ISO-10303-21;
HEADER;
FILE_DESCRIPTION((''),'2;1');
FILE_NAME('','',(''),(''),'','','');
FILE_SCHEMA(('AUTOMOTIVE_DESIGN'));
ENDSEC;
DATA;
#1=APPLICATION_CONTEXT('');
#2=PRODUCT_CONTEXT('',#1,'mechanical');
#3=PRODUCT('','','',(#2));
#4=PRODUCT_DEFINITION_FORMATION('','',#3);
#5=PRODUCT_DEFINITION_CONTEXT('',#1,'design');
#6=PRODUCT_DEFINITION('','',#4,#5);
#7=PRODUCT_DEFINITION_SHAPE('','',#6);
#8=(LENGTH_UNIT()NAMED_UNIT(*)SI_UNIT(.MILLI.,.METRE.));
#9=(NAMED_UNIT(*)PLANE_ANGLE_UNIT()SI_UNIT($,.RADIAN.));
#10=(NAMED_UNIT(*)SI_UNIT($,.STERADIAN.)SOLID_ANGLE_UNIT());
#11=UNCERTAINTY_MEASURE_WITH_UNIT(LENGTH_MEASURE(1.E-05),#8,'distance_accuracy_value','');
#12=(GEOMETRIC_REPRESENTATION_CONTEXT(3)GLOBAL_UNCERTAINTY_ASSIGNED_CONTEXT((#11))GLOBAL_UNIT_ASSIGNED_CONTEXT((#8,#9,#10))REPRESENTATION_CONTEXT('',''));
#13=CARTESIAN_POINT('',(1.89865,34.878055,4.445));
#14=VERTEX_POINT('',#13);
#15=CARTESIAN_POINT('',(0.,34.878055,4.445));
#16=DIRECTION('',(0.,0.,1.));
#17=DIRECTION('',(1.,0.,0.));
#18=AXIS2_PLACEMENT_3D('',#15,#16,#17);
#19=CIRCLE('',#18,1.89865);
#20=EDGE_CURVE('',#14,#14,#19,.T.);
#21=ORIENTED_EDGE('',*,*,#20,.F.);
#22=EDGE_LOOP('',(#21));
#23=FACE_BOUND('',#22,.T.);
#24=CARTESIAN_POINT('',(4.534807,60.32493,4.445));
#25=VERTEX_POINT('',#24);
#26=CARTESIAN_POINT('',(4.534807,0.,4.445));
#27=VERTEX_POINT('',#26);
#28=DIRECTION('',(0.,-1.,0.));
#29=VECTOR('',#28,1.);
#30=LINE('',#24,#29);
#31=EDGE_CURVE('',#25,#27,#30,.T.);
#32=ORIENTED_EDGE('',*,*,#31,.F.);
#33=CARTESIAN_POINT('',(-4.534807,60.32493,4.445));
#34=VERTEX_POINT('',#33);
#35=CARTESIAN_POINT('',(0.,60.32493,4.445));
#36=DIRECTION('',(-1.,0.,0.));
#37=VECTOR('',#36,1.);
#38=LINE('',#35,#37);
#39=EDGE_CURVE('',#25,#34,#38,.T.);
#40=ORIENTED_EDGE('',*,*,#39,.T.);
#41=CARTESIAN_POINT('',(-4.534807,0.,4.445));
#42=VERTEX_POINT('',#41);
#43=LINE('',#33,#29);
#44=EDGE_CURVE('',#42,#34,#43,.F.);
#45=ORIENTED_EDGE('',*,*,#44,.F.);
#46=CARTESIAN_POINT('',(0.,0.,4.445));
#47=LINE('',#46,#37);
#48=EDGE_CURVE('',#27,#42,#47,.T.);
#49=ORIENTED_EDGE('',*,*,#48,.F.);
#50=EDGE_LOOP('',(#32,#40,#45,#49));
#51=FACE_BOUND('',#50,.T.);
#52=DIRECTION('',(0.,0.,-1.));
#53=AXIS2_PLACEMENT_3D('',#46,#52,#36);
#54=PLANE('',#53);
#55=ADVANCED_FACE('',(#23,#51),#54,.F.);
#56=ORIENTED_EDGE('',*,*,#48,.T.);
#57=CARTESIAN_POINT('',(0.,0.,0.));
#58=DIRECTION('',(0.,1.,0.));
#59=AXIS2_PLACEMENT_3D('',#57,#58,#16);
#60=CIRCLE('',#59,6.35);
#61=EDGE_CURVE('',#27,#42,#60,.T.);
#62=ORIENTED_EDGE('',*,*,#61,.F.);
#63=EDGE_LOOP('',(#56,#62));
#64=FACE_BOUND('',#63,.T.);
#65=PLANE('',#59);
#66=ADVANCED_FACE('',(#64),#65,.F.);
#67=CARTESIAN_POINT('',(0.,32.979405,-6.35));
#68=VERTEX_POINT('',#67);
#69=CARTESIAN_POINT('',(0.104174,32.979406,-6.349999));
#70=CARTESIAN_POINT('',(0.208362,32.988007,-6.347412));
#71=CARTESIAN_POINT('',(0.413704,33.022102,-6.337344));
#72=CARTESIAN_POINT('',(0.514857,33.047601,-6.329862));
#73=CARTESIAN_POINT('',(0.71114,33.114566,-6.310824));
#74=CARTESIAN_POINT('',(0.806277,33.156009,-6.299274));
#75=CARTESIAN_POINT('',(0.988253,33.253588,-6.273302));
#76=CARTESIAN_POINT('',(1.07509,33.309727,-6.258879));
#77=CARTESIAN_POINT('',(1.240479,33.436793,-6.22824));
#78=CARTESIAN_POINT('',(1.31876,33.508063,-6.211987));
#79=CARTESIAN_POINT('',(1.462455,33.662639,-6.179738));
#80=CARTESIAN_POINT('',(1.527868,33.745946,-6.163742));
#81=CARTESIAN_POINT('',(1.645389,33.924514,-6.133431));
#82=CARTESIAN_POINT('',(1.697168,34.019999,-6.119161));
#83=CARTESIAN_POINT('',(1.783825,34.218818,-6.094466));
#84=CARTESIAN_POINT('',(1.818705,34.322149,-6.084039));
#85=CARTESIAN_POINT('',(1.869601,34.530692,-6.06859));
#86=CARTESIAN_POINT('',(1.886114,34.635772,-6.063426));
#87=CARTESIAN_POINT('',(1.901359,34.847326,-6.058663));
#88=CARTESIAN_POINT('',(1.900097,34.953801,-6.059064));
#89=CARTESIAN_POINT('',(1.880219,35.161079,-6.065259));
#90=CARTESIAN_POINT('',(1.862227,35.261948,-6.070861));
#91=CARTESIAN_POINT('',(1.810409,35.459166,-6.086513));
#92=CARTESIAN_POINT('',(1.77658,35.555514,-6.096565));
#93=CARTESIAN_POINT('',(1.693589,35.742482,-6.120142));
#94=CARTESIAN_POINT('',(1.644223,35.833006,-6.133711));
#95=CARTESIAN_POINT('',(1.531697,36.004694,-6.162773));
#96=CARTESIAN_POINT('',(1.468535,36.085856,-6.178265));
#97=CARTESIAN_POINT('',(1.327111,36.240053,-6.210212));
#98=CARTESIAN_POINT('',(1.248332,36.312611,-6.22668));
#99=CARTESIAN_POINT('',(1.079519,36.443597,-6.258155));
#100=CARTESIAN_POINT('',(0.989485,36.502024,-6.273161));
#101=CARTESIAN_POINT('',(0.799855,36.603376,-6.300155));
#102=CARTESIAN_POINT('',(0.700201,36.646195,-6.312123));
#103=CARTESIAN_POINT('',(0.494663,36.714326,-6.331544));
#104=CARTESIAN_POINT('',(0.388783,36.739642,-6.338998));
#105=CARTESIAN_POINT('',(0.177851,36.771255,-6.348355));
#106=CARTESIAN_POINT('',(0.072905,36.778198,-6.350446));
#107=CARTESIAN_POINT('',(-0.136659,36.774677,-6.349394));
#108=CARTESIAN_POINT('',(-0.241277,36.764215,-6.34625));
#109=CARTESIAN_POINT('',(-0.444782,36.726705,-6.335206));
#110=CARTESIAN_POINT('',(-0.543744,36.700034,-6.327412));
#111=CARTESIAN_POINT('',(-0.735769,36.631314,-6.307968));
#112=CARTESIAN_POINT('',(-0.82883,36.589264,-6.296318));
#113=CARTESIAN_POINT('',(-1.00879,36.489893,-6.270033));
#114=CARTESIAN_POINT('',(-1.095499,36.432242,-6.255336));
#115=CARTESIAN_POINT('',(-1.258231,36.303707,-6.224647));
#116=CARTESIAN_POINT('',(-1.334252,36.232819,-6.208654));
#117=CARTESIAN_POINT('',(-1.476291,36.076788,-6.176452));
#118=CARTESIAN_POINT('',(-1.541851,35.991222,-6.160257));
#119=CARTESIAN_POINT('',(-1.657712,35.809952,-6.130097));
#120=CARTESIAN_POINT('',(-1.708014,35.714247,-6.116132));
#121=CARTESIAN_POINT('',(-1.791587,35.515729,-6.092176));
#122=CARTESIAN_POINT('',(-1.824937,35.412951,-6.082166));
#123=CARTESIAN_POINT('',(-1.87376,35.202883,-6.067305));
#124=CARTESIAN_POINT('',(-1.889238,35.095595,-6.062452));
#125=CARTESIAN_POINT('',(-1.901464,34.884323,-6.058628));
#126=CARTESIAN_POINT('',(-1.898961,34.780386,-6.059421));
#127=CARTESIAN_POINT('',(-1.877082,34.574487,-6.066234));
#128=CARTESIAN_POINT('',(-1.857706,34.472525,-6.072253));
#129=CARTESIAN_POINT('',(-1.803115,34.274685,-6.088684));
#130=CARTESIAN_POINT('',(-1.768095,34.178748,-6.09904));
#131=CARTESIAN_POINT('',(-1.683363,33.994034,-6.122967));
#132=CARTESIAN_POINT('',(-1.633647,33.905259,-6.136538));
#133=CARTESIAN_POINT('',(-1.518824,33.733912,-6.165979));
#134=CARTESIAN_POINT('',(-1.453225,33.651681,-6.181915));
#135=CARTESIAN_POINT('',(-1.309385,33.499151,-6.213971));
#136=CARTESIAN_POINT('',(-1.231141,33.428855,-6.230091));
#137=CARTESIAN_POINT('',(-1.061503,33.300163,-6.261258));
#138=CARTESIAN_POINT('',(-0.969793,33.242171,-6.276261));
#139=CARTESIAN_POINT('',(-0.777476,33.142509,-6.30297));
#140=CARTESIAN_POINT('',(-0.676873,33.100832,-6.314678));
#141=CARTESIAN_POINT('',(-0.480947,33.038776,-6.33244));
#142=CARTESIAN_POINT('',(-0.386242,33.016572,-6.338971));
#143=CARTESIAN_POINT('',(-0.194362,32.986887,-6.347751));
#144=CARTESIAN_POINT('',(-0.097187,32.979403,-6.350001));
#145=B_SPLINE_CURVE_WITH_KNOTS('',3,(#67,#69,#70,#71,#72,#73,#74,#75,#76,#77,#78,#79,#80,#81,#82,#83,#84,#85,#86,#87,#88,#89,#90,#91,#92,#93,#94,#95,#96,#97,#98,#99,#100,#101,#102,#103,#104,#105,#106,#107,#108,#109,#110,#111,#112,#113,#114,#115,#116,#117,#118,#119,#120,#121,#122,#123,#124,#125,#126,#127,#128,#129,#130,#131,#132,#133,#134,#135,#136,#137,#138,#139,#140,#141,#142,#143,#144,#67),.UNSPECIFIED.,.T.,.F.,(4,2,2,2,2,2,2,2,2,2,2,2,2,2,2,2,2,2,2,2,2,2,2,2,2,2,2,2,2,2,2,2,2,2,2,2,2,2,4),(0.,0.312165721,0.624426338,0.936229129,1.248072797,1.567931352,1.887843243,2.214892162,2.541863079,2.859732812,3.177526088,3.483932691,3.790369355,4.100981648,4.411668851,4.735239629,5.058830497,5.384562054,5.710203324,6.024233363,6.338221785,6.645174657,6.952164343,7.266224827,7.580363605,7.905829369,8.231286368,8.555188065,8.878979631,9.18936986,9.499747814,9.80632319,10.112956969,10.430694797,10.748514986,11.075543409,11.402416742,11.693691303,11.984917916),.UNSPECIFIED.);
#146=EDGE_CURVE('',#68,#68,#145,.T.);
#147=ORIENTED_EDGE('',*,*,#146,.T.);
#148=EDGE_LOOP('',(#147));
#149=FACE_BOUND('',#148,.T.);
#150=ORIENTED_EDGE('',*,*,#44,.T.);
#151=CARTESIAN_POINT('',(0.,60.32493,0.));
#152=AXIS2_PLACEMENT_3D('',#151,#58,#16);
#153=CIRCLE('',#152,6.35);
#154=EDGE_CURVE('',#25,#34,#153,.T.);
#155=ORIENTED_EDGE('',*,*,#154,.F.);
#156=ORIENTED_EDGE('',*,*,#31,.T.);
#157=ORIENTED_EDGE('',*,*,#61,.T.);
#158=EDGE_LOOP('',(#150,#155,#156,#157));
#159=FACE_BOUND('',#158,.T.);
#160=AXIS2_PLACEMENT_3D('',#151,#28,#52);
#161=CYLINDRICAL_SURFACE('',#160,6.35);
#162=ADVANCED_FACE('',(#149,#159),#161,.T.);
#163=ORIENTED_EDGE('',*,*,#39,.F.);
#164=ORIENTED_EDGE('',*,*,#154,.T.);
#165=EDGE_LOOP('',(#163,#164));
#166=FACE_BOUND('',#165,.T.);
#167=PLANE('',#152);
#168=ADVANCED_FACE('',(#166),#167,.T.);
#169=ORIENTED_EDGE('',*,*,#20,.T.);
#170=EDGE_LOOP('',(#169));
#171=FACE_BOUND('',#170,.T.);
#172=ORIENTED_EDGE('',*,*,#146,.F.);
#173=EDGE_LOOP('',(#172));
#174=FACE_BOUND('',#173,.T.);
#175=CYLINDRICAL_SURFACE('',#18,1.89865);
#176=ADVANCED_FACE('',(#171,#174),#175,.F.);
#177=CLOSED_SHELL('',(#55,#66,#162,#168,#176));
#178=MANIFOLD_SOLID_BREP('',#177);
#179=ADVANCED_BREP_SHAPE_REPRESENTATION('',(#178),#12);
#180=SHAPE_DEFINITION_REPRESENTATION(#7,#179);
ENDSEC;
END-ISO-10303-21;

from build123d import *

# Parameters (mm, degrees)
SKETCH1_R              = 6.35
BOSS_EXTRUDE1_DEPTH    = 60.32492963
CUT_EXTRUDE1_DEPTH     = 61.989688759
F_10_24_TAPPED_HOLE1_D = 3.7973


with BuildPart() as part:
    # Sketch1 → Boss-Extrude1 (new body)
    with BuildSketch(Plane(origin=(0, 0, 0), x_dir=(1, 0, 0), z_dir=(0, 1, 0))):
        with Locations(Location((0, 0, 0), (0, 0, 90))):
            Circle(SKETCH1_R)
    extrude(amount=BOSS_EXTRUDE1_DEPTH)

    # Sketch2 → Cut-Extrude1 (cut, through all)
    with BuildSketch(Plane(origin=(0, 60.32492963, 0), x_dir=(1, 0, 0), z_dir=(0, 1, 0))):
        Polygon((0, -4.445), (-5.65519603, -4.445), (-5.65519603, -6.850474894), (5.907942222, -6.850474894), (5.907942222, -4.445), align=None)
    extrude(amount=-CUT_EXTRUDE1_DEPTH, mode=Mode.SUBTRACT)

    # #10-24 Tapped Hole1 (through all)
    with Locations(Plane.XY.offset(4.445)):
        with Locations((0, 34.878054704)):
            Hole(F_10_24_TAPPED_HOLE1_D / 2)


solid = part.part
